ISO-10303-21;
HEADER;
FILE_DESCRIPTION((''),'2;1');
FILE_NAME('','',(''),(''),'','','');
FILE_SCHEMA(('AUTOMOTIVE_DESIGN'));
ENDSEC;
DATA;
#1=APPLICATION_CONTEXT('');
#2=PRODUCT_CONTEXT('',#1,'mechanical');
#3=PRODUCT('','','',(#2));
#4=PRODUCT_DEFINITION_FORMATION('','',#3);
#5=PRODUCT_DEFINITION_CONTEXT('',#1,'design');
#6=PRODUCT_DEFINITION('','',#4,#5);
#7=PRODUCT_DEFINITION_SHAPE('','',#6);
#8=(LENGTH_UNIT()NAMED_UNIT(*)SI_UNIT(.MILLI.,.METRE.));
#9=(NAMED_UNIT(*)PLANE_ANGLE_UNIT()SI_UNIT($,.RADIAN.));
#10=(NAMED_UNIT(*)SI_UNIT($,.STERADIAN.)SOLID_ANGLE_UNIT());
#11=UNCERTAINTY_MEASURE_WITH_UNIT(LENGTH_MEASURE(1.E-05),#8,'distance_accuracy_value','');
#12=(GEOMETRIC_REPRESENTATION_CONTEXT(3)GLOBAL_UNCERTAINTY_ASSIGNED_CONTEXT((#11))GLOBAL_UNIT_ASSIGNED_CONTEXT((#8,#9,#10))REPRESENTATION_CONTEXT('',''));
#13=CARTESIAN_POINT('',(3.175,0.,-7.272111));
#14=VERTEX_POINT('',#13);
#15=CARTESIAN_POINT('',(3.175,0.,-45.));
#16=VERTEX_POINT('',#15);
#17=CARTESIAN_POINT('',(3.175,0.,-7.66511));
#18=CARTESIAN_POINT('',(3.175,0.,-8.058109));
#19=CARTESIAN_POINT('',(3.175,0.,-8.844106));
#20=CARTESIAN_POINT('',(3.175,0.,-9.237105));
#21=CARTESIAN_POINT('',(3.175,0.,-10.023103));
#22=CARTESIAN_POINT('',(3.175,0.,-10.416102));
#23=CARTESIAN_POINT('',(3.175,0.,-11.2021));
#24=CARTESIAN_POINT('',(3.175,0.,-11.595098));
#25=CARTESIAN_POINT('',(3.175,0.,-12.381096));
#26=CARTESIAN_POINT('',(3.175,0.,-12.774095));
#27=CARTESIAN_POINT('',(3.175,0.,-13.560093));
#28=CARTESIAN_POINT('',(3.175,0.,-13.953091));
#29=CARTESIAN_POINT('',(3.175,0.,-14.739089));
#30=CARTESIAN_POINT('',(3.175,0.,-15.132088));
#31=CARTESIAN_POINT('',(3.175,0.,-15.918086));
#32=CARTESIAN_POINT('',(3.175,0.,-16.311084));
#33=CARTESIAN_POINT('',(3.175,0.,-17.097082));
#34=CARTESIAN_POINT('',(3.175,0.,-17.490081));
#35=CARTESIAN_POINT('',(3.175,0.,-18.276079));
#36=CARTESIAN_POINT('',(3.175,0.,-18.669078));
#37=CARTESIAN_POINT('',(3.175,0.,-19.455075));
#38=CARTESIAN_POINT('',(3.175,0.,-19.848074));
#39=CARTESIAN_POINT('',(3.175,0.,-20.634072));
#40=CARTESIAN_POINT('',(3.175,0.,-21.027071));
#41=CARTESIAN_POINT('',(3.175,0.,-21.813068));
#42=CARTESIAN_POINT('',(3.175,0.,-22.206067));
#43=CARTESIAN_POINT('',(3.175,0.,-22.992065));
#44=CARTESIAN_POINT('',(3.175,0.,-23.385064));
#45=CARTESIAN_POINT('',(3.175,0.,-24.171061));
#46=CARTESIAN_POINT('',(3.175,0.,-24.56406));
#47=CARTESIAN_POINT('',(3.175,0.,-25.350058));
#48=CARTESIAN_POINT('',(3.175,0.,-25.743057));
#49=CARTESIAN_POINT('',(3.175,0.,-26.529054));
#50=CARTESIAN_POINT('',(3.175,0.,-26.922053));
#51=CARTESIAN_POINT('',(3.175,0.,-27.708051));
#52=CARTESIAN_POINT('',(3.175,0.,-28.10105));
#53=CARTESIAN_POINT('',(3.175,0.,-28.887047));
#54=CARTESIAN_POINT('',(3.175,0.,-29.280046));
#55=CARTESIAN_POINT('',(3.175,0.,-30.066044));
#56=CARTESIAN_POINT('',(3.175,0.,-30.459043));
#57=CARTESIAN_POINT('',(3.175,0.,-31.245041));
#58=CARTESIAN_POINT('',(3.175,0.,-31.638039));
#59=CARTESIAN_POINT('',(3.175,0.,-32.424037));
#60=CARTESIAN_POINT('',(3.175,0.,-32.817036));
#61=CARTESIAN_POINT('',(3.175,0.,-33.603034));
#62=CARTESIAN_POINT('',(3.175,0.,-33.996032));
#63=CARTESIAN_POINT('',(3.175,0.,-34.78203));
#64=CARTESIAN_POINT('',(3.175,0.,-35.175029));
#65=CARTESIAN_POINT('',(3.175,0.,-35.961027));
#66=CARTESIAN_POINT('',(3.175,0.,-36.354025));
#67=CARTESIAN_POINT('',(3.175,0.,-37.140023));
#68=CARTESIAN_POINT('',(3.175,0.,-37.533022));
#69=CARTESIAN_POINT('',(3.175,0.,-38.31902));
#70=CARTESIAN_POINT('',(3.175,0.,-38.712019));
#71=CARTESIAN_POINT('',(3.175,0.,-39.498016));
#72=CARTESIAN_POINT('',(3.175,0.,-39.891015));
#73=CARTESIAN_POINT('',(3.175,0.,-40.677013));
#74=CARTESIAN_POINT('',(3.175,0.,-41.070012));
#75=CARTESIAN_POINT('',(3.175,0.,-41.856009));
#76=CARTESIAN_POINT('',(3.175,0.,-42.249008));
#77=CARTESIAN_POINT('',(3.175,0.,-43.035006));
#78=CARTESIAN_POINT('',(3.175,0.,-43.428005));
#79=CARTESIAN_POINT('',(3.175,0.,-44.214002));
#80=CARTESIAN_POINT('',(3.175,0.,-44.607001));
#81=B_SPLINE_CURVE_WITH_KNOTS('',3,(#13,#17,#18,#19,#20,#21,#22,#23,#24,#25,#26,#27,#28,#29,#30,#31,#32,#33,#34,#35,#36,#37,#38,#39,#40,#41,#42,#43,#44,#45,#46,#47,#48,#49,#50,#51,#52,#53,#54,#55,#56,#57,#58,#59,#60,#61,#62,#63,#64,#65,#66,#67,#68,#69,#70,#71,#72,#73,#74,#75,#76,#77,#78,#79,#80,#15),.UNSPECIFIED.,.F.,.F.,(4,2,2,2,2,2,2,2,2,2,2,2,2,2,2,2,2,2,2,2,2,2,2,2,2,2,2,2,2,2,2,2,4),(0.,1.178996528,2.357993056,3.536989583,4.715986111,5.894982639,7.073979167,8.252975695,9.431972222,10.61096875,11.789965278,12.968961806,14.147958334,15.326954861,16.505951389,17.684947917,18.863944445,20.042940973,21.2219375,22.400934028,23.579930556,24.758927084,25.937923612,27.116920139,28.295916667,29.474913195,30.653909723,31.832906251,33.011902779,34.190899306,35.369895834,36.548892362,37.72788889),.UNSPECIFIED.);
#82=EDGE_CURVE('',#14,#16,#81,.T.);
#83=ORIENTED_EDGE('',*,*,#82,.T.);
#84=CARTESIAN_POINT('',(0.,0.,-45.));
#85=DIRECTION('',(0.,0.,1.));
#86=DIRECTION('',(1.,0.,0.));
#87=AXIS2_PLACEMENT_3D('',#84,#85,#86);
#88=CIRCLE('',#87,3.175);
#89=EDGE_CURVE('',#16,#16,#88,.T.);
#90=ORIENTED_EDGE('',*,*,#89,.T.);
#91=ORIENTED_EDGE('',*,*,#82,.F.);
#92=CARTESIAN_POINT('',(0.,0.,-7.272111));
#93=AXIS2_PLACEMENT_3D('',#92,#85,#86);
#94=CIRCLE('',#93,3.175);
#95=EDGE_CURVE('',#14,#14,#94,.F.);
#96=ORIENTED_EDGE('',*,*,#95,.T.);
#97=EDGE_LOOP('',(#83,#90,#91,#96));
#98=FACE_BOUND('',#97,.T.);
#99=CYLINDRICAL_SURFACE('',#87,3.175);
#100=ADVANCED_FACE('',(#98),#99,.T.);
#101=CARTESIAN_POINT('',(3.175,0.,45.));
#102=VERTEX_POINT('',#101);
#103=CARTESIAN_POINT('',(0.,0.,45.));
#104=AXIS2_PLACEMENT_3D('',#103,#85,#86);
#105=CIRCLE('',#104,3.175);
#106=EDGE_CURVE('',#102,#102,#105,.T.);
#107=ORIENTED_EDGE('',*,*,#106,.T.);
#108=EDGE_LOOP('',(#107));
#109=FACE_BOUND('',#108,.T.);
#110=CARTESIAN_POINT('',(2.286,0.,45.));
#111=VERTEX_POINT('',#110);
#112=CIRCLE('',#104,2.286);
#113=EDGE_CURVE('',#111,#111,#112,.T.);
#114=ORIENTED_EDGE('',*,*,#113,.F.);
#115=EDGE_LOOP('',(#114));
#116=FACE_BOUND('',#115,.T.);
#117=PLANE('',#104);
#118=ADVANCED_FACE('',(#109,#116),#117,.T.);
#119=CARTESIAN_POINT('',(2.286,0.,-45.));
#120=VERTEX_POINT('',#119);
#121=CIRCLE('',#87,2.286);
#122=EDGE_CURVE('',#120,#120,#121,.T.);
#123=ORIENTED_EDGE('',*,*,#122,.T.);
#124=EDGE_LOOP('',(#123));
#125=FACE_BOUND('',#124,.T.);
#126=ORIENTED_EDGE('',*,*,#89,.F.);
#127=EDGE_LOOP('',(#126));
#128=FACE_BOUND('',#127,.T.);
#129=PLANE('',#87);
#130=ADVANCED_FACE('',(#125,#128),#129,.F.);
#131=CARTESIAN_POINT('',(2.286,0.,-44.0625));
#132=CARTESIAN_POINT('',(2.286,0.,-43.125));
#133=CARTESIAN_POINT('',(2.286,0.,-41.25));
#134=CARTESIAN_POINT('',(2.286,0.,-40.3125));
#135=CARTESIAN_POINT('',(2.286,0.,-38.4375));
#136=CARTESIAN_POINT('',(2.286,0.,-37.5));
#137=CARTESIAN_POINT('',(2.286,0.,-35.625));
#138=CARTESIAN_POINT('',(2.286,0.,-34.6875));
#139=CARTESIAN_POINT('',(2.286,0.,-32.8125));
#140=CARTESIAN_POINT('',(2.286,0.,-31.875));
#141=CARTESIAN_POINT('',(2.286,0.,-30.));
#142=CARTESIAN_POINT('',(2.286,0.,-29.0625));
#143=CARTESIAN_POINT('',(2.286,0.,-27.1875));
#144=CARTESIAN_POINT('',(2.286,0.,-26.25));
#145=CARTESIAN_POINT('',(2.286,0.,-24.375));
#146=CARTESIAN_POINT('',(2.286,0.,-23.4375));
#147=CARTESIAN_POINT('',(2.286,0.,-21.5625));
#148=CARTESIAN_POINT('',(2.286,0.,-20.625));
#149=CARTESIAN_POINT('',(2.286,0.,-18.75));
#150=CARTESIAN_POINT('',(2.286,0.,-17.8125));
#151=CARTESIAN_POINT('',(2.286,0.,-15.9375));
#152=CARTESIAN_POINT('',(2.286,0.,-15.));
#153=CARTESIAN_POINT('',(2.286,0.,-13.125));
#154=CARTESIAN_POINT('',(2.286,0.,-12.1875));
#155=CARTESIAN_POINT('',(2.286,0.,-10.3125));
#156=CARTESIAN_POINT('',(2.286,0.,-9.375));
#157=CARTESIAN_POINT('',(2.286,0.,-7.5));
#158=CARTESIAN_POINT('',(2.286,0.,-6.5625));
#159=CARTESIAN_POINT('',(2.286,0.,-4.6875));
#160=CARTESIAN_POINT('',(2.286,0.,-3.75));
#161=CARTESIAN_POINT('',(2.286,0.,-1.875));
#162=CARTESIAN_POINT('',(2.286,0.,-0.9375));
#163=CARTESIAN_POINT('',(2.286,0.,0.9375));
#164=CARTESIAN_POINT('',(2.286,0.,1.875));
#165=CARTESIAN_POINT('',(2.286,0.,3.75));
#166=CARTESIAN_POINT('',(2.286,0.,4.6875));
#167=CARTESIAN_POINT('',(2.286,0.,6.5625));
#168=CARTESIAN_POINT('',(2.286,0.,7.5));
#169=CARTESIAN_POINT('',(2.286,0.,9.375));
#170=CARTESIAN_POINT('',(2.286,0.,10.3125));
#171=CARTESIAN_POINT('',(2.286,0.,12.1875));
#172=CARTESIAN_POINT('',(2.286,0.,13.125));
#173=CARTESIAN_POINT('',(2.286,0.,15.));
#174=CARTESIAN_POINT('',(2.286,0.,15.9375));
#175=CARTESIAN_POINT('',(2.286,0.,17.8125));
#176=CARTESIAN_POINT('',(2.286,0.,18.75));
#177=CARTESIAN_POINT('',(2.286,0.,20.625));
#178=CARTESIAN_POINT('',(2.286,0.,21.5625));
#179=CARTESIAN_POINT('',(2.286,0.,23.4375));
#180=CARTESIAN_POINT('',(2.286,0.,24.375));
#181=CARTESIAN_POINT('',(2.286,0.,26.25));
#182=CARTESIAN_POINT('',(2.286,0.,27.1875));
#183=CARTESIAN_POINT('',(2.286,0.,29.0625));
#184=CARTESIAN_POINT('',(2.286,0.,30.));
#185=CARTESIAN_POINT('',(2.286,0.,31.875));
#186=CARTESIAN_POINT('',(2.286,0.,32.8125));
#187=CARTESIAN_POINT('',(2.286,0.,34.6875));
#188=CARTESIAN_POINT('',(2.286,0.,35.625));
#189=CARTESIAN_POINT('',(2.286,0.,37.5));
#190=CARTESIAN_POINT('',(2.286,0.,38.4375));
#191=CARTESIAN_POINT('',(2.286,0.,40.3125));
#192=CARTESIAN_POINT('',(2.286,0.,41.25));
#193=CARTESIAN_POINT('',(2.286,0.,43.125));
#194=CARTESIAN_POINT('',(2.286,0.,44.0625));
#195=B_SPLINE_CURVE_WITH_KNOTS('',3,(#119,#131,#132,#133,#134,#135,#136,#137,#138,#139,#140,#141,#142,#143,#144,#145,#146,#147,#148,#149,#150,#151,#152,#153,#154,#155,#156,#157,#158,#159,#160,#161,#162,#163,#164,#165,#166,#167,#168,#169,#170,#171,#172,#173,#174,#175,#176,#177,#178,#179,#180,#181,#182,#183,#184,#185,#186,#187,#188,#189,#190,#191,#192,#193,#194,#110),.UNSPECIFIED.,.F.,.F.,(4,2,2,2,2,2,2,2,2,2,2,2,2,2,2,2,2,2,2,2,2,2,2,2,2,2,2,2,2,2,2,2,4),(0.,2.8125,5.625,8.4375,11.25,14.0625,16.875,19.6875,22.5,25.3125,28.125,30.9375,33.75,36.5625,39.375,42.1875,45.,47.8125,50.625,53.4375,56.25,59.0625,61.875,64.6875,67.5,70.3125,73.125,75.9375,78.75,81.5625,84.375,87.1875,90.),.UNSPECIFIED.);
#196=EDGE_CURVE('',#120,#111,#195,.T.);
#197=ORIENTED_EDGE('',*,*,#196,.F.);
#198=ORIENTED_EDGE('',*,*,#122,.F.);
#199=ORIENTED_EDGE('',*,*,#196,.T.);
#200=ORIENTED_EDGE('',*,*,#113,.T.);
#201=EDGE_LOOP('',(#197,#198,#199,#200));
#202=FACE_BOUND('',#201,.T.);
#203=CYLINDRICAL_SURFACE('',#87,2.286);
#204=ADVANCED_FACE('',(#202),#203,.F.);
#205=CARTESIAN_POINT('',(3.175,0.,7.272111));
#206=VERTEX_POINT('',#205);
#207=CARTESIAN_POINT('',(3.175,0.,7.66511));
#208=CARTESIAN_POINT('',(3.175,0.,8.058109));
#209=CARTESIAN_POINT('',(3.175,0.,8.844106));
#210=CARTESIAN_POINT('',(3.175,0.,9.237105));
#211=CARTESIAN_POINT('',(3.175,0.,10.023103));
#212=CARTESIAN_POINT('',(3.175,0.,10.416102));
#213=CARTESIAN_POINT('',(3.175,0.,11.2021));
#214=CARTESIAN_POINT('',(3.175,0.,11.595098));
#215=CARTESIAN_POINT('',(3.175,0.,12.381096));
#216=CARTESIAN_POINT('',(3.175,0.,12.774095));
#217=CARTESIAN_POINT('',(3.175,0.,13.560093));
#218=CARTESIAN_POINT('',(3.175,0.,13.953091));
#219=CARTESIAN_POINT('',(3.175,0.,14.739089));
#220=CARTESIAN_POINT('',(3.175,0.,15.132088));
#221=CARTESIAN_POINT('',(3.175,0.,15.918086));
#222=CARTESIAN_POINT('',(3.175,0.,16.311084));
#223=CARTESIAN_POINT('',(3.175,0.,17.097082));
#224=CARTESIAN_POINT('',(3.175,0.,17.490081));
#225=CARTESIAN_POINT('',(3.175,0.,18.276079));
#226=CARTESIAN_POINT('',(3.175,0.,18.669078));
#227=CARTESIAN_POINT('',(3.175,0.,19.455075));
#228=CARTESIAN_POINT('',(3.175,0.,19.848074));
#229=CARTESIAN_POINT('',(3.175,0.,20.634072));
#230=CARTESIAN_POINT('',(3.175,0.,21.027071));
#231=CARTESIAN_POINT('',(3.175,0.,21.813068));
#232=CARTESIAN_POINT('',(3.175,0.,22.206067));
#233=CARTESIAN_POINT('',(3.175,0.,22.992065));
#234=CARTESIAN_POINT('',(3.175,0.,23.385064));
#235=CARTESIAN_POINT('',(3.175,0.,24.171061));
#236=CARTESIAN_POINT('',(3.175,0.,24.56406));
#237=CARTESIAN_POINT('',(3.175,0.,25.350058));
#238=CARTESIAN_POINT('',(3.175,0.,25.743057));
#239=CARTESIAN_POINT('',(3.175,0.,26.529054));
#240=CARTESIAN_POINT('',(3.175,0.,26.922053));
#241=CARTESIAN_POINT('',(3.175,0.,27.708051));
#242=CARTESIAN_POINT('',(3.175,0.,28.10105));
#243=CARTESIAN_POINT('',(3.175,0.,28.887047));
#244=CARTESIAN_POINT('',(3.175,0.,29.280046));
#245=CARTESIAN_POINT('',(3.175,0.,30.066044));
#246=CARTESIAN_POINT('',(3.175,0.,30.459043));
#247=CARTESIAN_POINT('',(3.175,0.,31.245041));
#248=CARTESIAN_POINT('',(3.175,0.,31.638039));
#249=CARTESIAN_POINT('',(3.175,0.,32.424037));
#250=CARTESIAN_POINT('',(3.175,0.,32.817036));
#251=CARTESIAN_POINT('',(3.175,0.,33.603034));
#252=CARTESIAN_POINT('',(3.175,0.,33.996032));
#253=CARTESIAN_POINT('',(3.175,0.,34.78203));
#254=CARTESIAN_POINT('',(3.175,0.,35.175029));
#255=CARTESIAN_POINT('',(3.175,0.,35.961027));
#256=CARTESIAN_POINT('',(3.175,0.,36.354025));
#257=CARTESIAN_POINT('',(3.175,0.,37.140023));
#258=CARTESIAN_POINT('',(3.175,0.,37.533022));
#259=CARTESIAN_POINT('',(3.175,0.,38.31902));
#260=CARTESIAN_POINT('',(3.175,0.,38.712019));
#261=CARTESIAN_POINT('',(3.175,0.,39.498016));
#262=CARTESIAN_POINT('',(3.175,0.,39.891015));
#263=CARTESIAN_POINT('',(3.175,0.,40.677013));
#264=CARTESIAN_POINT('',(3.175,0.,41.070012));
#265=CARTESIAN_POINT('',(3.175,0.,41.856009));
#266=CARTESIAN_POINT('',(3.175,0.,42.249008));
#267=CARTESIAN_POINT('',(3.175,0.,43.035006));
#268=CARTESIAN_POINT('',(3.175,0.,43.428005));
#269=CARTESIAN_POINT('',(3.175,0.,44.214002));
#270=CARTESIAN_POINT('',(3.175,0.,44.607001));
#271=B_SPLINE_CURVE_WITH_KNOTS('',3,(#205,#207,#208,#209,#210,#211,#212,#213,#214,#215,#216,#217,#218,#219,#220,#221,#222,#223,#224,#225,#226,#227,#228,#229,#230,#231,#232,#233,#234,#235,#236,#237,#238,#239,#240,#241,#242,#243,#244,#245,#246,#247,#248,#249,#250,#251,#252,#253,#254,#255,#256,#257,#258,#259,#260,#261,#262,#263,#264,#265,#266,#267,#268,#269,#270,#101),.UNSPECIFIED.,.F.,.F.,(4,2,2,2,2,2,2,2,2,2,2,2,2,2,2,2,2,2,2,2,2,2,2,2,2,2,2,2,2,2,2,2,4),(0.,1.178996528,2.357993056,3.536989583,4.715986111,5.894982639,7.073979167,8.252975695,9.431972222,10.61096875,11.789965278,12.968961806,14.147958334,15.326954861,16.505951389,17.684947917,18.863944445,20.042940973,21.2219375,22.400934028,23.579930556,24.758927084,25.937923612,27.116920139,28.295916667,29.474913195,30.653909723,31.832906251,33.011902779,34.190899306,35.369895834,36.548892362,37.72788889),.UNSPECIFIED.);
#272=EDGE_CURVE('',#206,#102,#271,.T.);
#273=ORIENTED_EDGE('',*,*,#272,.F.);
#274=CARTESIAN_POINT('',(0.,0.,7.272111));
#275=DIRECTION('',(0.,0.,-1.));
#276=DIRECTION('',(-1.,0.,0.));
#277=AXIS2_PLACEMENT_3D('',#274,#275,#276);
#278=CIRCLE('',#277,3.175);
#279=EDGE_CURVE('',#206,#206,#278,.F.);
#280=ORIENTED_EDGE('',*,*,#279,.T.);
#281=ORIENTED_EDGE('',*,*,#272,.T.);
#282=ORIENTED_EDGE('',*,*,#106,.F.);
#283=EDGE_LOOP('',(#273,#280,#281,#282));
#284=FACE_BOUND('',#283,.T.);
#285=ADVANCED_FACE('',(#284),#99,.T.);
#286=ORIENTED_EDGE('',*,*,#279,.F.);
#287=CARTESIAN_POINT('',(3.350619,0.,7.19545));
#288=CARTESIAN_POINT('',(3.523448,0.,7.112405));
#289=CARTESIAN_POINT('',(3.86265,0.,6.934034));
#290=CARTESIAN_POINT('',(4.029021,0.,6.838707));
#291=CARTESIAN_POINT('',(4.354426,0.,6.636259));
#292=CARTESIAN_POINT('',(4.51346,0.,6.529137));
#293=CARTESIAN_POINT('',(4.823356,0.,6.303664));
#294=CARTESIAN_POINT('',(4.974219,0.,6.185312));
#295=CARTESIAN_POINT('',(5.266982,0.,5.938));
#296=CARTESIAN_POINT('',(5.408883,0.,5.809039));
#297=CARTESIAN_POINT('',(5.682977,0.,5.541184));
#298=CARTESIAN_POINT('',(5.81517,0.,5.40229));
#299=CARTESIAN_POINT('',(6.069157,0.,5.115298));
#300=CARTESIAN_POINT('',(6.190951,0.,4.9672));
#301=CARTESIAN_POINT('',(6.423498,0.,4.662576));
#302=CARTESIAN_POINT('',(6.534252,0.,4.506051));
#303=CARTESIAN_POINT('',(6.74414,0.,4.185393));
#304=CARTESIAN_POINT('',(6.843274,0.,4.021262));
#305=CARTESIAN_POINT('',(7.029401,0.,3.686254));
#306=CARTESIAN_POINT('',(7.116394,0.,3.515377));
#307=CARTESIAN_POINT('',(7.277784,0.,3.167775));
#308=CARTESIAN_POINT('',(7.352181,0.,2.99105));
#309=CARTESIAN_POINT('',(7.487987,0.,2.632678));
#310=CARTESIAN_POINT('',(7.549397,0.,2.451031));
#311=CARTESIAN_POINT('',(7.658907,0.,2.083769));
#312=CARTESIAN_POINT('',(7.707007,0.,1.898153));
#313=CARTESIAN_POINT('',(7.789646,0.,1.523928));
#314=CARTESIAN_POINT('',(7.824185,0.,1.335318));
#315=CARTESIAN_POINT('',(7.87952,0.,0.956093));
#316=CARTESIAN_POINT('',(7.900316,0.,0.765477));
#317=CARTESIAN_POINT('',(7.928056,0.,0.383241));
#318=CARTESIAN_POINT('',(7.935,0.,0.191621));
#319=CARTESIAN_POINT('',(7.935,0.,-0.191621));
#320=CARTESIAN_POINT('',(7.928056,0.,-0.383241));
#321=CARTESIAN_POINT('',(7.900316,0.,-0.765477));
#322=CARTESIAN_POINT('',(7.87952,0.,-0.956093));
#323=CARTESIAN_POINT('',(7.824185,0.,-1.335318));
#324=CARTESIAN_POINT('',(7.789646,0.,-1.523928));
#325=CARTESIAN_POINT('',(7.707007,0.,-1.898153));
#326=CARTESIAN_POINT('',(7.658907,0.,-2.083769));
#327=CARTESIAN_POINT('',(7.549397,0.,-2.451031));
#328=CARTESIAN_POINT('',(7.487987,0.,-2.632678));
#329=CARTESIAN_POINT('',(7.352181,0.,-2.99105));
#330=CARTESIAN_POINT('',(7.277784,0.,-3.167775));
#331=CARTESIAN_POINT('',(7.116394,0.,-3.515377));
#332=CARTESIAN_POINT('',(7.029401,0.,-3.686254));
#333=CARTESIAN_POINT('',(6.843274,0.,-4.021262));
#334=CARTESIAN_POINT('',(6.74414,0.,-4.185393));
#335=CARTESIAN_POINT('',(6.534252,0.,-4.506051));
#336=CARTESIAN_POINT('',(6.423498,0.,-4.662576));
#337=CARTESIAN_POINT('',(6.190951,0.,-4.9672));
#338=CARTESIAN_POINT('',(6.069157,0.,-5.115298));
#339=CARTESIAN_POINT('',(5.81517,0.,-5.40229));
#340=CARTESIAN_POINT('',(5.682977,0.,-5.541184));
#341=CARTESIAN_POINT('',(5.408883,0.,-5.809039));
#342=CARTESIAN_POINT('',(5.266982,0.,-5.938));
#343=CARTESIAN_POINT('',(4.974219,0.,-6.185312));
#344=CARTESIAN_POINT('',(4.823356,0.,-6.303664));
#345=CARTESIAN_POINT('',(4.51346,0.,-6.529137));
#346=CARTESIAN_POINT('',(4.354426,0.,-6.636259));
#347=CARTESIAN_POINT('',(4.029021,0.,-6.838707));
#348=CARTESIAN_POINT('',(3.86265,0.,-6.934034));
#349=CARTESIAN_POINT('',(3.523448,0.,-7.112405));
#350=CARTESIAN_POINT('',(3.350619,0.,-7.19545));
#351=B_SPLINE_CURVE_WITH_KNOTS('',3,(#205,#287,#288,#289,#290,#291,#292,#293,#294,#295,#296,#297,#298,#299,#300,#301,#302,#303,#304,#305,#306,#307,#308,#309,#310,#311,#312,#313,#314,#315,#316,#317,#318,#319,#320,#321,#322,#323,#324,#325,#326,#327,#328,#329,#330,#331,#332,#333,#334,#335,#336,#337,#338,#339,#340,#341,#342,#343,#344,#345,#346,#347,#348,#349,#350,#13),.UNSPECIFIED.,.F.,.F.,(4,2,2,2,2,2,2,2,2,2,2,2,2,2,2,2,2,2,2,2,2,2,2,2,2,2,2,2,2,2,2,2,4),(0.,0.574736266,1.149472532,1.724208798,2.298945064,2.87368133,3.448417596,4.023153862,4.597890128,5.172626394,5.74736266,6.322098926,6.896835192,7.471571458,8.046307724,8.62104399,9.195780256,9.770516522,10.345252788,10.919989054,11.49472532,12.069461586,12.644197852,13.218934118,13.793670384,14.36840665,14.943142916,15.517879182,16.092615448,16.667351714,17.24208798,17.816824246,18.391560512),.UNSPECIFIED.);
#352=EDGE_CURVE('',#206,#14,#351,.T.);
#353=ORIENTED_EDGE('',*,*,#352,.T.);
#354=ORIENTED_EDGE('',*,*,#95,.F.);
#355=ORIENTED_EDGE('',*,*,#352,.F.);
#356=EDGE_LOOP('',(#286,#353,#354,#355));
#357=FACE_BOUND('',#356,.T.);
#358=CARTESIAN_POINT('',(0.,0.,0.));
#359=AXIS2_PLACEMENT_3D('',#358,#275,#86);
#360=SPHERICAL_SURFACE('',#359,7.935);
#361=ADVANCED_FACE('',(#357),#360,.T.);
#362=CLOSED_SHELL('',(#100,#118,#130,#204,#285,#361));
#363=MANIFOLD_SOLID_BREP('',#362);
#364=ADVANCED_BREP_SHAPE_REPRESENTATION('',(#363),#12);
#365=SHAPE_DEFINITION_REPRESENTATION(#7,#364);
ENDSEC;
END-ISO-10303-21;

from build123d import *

# Parameters (mm, degrees)
CUT_EXTRUDE1_DEPTH       = 14.743823158
CUT_EXTRUDE1_DEPTH_BACK  = 14.743823158
SKETCH4_R                = 3.175
BOSS_EXTRUDE1_DEPTH      = 45
BOSS_EXTRUDE1_DEPTH_BACK = 45
SKETCH5_R                = 3.175
SKETCH5_R_2              = 2.286


with BuildPart() as part:
    # Sketch3 → Revolve3 (revolve)
    with BuildSketch(Plane(origin=(0, 0, 0), x_dir=(1, 0, 0), z_dir=(0, 1, 0))):
        with BuildLine():
            Line((0, -7.935), (0, 7.935))
            ThreePointArc((0, 7.935), (-7.935, 0), (0, -7.935))
        make_face()
    revolve(axis=Axis((0, 0, -12.438098035), (0, 0, 1)))

    # Sketch4 → Cut-Extrude1 (cut, two sides: drawn at the far end of the back side and taken through both)
    with BuildSketch(Plane.XY.offset(-CUT_EXTRUDE1_DEPTH_BACK)):
        Circle(SKETCH4_R)
    extrude(amount=CUT_EXTRUDE1_DEPTH + CUT_EXTRUDE1_DEPTH_BACK, mode=Mode.SUBTRACT)

    # Sketch5 → Boss-Extrude1 (add, two sides: drawn at the far end of the back side and taken through both)
    with BuildSketch(Plane.XY.offset(-BOSS_EXTRUDE1_DEPTH_BACK)):
        Circle(SKETCH5_R)
        Circle(SKETCH5_R_2, mode=Mode.SUBTRACT)
    extrude(amount=BOSS_EXTRUDE1_DEPTH + BOSS_EXTRUDE1_DEPTH_BACK)


solid = part.part
